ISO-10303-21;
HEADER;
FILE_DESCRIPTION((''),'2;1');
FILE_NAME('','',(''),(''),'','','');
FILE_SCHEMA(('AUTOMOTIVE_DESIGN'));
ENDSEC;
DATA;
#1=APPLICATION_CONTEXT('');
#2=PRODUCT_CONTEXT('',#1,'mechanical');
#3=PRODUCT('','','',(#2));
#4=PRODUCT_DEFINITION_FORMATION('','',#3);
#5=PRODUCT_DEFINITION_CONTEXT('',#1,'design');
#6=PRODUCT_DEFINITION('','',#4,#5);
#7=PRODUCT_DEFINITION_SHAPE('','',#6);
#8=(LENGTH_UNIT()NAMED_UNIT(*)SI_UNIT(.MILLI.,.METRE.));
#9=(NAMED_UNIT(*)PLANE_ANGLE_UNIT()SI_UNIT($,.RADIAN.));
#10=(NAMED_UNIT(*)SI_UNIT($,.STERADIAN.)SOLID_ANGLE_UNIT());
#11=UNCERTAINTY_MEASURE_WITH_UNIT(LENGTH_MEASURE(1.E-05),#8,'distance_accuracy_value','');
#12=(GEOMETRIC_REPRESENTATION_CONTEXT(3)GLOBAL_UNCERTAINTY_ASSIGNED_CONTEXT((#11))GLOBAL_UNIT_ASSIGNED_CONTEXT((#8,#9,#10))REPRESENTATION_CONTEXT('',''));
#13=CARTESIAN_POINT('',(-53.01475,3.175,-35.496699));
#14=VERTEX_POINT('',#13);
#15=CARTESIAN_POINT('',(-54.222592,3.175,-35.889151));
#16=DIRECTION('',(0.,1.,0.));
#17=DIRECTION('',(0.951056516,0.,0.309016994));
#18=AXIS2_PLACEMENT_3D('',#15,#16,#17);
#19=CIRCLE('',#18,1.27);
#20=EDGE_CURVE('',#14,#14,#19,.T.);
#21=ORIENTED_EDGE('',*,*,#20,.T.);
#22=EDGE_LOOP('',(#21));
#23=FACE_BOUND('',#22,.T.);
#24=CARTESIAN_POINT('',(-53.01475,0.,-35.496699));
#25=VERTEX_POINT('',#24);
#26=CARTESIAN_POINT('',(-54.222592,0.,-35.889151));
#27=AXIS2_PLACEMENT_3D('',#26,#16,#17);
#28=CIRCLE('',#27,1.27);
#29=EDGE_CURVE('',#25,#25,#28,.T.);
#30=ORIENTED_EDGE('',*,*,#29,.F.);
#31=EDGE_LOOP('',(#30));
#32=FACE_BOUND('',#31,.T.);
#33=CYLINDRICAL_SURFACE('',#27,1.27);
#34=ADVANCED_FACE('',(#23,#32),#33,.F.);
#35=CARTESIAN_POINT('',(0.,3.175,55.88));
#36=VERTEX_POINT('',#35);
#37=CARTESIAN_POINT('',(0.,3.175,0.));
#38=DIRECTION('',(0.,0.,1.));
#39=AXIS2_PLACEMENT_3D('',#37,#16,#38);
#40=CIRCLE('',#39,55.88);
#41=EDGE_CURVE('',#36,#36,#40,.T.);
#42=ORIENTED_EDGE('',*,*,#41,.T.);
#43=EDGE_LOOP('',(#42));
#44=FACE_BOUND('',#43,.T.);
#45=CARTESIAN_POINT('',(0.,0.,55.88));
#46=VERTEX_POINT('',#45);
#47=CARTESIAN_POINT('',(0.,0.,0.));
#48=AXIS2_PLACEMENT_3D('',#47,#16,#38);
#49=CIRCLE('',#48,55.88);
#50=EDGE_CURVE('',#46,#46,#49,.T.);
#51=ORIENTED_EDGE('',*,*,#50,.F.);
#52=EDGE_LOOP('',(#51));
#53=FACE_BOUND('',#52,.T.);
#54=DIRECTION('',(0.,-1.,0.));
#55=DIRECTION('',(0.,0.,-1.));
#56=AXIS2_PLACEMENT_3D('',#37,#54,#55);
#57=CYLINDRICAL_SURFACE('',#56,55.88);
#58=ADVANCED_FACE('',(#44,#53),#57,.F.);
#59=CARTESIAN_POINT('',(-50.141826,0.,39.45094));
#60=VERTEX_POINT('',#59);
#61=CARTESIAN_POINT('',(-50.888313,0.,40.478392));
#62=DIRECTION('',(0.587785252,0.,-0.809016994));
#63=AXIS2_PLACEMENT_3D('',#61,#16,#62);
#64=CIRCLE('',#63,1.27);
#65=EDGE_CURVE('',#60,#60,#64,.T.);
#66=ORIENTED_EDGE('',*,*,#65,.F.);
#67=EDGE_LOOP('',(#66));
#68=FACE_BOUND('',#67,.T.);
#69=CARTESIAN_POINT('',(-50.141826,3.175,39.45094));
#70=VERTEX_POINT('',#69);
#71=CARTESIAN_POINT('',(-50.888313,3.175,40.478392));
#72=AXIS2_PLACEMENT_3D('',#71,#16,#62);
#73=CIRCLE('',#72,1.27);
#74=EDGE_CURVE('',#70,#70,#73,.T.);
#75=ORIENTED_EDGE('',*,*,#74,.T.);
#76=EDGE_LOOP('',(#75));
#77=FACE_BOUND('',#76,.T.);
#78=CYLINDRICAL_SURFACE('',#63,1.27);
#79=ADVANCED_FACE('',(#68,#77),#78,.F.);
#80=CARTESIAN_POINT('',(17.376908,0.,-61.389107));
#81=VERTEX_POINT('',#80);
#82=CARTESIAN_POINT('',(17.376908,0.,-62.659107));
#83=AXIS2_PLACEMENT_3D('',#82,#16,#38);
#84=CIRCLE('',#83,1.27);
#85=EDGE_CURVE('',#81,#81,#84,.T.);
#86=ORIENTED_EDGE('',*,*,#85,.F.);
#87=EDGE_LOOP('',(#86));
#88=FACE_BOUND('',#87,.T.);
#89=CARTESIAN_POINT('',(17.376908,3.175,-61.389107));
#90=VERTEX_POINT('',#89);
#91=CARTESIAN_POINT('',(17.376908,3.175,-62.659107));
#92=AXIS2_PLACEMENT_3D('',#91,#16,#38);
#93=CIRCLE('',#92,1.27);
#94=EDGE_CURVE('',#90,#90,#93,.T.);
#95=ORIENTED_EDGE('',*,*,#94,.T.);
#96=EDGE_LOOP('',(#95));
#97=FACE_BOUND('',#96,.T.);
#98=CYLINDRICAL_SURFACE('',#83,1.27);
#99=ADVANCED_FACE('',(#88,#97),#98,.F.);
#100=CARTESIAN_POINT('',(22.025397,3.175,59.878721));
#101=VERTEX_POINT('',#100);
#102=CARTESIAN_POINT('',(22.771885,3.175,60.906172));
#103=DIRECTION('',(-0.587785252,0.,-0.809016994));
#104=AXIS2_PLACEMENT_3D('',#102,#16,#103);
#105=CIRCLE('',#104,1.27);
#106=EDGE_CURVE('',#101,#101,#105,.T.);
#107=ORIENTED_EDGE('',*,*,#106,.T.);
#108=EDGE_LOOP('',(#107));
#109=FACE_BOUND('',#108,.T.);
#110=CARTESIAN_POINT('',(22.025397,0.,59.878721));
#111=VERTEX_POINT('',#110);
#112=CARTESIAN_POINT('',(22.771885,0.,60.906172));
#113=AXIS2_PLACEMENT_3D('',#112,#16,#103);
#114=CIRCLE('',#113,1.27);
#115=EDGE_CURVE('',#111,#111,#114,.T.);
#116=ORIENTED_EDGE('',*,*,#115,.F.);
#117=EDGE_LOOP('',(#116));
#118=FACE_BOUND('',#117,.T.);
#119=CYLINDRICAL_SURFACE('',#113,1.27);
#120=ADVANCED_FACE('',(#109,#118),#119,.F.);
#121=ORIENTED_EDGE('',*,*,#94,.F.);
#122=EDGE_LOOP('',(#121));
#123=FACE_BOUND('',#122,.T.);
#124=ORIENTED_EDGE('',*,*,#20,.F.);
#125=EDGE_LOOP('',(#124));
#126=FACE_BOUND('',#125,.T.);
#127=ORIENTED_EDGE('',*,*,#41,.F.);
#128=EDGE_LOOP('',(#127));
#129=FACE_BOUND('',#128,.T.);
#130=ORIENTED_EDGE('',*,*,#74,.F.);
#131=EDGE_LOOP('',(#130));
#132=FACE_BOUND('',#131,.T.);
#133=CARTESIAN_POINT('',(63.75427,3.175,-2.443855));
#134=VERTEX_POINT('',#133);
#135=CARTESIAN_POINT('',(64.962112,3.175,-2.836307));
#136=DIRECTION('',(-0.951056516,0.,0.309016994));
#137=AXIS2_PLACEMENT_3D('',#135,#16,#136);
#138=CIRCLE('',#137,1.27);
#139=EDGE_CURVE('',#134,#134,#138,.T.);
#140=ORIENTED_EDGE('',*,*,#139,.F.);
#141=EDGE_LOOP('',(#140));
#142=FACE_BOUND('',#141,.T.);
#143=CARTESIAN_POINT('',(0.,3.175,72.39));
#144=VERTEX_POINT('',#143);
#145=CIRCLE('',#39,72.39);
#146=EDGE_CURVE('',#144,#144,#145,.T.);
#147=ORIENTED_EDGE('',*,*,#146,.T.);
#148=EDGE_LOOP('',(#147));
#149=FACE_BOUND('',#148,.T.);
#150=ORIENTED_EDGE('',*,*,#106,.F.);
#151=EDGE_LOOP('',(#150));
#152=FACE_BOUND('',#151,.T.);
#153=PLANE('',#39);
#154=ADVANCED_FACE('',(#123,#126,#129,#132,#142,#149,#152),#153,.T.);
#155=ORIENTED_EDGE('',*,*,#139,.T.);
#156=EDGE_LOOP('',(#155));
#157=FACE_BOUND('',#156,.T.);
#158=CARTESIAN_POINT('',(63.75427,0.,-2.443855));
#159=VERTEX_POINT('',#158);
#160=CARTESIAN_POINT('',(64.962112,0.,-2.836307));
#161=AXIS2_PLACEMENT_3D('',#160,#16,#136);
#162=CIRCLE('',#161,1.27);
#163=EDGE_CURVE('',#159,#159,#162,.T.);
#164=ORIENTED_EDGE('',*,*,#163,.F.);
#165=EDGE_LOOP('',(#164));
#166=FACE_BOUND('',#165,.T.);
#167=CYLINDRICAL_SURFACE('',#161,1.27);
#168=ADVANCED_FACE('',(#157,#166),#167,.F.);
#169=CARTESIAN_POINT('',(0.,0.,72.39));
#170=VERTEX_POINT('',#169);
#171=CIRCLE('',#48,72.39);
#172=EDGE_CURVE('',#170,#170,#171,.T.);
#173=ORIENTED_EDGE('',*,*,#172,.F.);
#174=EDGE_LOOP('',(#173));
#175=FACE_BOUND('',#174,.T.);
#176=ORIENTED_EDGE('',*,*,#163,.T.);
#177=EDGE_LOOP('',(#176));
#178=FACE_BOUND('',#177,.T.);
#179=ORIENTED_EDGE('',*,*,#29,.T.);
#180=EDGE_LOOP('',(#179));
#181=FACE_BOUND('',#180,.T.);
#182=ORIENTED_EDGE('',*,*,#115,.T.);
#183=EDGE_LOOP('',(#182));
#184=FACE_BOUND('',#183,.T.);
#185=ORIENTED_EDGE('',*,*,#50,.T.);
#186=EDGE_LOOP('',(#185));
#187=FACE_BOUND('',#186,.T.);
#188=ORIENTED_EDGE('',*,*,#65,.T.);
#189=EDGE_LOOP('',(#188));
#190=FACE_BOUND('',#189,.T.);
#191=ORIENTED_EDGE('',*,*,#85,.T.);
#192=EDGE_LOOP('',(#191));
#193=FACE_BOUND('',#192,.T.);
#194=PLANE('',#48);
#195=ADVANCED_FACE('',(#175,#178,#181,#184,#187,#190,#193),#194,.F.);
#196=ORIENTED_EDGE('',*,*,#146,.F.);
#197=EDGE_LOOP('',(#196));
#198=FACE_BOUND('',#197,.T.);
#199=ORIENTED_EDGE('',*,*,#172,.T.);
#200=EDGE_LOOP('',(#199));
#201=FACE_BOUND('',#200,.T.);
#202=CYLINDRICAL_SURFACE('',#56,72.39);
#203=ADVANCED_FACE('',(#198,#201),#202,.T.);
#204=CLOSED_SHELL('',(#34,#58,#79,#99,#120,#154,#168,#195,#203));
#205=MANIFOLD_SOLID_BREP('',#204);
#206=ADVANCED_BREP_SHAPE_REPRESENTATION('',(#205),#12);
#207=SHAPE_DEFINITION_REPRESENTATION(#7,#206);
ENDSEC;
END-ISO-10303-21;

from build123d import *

# Parameters (mm, degrees)
SKETCH1_R           = 72.39
SKETCH1_R_2         = 55.88
BOSS_EXTRUDE1_DEPTH = 3.175
SKETCH2_R           = 1.27
CUT_EXTRUDE1_DEPTH  = 103.424141807
CIRPATTERN1_COUNT   = 5


with BuildPart() as part:
    # Sketch1 → Boss-Extrude1 (new body)
    with BuildSketch(Plane(origin=(0, 0, 0), x_dir=(1, 0, 0), z_dir=(0, 1, 0))):
        with Locations(Location((0, 0, 0), (0, 0, 270))):
            Circle(SKETCH1_R)
        with Locations(Location((0, 0, 0), (0, 0, 270))):
            Circle(SKETCH1_R_2, mode=Mode.SUBTRACT)
    extrude(amount=BOSS_EXTRUDE1_DEPTH)

    # Sketch2 → Cut-Extrude1 (cut, through all)
    with BuildSketch(Plane(origin=(0, 3.175, 0), x_dir=(1, 0, 0), z_dir=(0, 1, 0))):
        with Locations(Location((17.376908166, 62.659106589, 0), (0, 0, 270))):
            Circle(SKETCH2_R)
    cut_extrude1 = extrude(amount=-CUT_EXTRUDE1_DEPTH, mode=Mode.SUBTRACT)

    # CirPattern1: Cut-Extrude1 ×5 about axis
    cirpattern1_axis = Axis((0, 0, 0), (0, 1, 0))
    for i in range(1, CIRPATTERN1_COUNT):
        add(cut_extrude1.rotate(cirpattern1_axis, i * 360 / CIRPATTERN1_COUNT), mode=Mode.SUBTRACT)


solid = part.part
